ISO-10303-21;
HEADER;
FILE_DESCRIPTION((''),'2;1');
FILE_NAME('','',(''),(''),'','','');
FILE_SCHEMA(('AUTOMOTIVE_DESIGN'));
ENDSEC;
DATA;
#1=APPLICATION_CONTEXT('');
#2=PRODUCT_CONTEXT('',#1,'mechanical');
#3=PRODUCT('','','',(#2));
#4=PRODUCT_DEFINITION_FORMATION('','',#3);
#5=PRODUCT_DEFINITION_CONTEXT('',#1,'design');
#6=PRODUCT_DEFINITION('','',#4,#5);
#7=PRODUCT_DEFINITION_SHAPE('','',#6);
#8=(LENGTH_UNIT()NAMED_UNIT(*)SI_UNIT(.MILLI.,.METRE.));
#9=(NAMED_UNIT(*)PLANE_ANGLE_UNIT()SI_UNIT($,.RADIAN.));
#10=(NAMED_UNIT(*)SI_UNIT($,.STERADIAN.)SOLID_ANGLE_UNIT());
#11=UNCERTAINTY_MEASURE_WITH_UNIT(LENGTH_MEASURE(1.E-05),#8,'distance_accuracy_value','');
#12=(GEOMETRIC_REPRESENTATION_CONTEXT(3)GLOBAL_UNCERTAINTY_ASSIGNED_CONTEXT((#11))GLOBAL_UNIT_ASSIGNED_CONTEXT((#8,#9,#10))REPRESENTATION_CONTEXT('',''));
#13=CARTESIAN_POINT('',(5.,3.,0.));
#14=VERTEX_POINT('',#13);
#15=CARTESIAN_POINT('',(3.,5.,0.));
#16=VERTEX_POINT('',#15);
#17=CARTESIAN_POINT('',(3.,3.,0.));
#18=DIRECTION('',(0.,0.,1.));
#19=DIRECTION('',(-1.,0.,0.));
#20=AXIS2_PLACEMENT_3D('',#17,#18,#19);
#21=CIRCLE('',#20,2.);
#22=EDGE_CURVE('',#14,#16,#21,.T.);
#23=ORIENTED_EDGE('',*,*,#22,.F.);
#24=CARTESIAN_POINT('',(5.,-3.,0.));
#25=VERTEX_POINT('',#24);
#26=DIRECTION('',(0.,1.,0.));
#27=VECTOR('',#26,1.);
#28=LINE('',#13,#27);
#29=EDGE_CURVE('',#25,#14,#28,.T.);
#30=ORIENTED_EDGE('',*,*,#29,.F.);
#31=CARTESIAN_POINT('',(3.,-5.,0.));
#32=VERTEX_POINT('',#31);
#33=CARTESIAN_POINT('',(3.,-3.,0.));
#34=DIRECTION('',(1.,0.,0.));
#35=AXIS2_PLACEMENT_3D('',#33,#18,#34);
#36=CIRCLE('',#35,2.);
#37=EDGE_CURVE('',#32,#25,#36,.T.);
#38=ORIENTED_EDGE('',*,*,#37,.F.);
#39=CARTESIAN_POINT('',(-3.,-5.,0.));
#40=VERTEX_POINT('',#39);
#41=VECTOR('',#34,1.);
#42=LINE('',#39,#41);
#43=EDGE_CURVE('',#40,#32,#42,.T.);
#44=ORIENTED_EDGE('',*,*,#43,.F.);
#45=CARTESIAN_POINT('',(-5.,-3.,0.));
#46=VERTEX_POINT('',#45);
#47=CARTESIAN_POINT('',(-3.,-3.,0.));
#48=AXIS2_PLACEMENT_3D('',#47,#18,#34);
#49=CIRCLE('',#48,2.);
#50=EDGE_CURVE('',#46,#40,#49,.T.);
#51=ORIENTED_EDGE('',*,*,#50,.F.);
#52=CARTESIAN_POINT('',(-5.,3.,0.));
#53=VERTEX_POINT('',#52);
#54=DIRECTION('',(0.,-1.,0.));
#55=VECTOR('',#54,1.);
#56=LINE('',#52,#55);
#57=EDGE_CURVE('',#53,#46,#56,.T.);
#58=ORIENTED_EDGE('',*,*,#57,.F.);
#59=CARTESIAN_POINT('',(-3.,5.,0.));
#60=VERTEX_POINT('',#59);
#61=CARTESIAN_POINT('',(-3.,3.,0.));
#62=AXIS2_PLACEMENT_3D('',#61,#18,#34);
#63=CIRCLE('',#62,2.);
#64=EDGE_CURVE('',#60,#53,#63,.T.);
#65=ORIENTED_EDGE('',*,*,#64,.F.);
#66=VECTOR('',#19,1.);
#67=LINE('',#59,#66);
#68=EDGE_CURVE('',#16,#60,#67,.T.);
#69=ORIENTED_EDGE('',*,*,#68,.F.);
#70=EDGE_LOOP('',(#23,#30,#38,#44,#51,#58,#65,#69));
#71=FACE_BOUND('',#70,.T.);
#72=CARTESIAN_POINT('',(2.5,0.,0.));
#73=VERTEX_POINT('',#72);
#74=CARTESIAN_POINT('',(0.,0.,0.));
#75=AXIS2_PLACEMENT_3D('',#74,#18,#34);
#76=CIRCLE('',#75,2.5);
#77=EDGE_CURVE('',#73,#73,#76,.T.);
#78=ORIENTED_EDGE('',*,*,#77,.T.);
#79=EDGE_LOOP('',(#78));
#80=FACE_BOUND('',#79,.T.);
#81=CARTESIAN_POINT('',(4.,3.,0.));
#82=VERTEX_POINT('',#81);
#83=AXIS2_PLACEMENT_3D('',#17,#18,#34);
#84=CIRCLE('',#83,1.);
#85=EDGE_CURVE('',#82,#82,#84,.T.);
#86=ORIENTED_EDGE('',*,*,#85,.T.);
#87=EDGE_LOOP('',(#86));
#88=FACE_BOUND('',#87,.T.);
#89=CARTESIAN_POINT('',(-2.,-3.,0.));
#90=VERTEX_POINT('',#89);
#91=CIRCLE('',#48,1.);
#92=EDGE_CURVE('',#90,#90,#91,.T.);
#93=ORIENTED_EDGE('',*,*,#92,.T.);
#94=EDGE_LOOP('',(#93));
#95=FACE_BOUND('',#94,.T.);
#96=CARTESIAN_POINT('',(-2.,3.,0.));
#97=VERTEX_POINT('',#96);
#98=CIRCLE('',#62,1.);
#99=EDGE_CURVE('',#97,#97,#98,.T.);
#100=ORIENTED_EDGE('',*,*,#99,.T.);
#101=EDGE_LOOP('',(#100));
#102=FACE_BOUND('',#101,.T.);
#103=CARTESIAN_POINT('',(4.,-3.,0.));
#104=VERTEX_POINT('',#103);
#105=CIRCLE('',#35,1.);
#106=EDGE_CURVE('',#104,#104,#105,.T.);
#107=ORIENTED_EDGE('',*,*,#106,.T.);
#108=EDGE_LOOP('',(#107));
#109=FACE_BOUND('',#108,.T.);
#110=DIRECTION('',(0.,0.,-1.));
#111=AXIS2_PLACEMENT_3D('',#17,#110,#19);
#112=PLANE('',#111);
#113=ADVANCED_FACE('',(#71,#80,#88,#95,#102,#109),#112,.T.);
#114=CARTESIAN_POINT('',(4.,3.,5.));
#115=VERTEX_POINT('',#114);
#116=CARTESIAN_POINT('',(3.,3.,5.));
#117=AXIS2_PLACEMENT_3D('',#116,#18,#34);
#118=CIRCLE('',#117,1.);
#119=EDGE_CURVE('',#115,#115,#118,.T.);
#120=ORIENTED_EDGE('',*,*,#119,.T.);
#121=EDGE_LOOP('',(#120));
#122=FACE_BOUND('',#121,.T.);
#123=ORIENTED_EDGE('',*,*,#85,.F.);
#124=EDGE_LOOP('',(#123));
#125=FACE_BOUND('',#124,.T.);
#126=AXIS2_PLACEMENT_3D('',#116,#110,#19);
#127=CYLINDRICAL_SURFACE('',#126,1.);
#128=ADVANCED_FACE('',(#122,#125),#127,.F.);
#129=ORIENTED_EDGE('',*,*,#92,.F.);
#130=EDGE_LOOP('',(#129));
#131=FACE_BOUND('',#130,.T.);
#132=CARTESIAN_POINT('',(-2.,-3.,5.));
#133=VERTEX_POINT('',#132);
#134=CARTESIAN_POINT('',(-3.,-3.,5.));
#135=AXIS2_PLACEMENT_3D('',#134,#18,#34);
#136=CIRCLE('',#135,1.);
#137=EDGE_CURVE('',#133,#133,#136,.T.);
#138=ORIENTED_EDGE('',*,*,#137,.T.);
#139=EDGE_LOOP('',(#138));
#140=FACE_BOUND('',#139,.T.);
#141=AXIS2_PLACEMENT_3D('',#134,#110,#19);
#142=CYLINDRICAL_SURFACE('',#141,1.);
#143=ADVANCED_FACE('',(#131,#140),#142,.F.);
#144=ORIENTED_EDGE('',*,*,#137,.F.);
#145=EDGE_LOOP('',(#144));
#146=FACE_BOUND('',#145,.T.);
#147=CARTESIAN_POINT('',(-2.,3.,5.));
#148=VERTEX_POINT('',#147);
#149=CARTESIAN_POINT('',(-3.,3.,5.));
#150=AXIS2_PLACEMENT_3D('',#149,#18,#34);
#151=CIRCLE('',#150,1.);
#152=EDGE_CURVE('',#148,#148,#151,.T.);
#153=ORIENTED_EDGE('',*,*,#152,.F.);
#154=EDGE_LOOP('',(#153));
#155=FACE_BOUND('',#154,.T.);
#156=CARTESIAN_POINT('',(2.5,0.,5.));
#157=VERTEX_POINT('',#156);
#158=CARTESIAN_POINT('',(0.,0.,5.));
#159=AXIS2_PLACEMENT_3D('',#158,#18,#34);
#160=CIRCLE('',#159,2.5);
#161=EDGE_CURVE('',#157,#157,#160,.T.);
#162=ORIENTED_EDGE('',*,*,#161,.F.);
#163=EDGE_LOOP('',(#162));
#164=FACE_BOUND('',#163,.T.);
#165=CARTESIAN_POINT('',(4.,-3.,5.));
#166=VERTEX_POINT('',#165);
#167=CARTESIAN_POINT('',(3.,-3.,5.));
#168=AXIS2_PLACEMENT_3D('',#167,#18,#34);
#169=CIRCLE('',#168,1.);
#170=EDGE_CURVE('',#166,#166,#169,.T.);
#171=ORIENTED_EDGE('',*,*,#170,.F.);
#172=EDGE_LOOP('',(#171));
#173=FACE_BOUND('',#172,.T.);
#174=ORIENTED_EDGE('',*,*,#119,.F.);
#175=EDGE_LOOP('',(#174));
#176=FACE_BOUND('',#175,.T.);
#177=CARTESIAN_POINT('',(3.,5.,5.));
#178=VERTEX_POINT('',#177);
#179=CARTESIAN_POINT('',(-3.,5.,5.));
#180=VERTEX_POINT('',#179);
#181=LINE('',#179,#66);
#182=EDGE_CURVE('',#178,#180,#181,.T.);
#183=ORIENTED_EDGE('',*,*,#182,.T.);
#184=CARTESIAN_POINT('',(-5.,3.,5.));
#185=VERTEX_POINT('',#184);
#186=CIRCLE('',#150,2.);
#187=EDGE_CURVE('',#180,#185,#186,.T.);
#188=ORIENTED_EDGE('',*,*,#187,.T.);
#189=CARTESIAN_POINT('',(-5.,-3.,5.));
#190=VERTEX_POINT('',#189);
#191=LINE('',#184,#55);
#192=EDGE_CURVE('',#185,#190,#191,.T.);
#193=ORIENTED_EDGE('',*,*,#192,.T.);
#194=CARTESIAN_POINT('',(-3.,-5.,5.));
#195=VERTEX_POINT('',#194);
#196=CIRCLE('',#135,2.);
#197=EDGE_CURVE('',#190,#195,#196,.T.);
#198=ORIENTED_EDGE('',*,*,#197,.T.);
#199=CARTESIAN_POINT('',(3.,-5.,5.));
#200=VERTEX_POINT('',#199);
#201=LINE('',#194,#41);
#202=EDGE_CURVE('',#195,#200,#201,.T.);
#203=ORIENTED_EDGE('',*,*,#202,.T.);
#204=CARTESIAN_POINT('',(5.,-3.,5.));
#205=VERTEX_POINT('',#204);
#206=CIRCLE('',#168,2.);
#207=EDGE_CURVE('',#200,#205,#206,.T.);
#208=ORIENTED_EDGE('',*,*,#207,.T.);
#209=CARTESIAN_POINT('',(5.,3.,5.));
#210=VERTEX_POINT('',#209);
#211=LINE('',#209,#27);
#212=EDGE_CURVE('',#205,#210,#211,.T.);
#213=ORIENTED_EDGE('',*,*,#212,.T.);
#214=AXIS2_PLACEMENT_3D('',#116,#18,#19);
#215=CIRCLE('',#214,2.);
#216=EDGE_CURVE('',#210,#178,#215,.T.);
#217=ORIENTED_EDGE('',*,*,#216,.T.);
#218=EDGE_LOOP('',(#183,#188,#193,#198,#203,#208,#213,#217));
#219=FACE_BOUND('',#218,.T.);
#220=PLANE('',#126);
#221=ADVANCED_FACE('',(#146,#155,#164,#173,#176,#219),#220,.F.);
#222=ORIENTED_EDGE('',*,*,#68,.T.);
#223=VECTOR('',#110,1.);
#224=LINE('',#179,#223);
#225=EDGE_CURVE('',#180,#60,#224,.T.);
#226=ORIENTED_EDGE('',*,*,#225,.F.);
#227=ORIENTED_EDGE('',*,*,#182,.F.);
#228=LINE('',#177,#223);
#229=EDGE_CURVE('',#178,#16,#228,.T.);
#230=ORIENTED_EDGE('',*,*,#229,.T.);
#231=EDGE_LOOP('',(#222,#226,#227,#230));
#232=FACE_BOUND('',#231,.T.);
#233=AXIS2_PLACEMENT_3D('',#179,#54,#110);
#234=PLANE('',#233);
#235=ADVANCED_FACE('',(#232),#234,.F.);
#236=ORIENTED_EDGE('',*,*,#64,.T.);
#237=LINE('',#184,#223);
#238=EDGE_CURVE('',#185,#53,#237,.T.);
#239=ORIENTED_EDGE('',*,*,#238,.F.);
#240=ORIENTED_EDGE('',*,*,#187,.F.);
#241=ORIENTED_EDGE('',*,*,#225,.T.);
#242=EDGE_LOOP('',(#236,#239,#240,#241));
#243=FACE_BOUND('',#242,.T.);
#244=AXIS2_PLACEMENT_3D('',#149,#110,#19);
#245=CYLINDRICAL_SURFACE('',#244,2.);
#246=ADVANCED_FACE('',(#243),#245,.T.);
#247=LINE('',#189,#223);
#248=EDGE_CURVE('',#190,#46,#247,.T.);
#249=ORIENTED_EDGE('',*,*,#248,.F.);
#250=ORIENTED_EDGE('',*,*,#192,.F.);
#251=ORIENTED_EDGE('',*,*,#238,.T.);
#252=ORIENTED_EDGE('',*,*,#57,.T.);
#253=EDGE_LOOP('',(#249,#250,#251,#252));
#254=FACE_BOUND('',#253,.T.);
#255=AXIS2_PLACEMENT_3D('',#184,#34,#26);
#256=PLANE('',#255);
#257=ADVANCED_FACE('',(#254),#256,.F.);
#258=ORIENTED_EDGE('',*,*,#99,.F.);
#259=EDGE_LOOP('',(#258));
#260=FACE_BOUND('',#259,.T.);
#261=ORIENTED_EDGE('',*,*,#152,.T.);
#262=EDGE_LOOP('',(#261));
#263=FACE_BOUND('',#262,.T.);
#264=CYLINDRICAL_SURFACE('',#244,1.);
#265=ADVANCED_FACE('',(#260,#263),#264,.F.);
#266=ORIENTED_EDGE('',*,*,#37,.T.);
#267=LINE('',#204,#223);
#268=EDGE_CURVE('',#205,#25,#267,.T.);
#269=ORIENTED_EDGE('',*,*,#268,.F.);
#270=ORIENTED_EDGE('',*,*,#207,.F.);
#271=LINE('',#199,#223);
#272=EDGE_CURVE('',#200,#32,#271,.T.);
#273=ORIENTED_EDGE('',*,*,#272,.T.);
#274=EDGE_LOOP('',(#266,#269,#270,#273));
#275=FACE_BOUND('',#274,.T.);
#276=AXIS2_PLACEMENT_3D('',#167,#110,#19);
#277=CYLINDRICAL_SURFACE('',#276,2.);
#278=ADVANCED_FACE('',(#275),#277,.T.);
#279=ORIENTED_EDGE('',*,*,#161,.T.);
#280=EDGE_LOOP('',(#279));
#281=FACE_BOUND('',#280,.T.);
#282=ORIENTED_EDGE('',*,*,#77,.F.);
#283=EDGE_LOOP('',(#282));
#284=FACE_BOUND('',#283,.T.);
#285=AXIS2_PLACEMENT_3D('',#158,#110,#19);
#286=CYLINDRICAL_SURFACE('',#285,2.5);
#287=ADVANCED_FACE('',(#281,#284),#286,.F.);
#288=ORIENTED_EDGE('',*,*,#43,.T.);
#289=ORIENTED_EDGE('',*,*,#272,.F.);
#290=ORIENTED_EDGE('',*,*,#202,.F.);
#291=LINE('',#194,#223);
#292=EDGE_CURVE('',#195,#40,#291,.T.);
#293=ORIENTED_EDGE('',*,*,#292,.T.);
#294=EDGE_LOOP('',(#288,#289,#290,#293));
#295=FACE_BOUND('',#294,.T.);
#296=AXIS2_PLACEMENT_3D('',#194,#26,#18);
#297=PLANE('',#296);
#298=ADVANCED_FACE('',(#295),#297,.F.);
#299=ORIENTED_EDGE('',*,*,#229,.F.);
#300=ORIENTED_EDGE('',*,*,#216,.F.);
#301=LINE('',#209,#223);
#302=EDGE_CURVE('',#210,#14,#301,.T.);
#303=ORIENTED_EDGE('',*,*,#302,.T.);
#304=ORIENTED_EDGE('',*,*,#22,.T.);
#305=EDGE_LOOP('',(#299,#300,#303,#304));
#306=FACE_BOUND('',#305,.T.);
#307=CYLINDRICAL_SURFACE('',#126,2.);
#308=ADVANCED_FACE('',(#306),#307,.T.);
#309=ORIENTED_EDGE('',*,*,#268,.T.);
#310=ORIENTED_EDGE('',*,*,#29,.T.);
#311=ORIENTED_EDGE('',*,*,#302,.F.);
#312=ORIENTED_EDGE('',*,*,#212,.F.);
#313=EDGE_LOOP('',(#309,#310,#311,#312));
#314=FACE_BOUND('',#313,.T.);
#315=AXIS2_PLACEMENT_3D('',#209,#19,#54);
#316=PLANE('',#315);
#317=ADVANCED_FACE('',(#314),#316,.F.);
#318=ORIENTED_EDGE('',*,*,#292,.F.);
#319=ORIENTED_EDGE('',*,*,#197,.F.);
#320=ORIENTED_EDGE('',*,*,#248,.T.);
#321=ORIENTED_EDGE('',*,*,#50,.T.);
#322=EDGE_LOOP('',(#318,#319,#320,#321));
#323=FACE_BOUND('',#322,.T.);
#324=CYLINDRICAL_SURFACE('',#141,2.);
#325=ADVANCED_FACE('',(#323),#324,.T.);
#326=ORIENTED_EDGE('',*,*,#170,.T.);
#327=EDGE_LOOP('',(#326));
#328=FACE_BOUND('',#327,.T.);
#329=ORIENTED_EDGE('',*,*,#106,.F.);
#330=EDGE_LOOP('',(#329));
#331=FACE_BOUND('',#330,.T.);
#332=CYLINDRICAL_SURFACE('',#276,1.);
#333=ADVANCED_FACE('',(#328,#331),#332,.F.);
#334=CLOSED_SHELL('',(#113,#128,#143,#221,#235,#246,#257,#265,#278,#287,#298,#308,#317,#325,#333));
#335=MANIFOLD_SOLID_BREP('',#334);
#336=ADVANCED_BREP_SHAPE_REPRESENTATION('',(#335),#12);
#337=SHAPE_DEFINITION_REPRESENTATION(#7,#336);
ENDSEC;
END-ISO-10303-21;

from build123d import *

# Parameters (mm, degrees)
ESQUISSE1_R        = 1
ESQUISSE1_R_2      = 2.5
BOSS_EXTRU_1_DEPTH = 5


with BuildPart() as part:
    # Esquisse1 → Boss.-Extru.1 (new body)
    with BuildSketch(Plane.XY):
        with BuildLine():
            Line((-3, 5), (3, 5))
            ThreePointArc((3, 5), (4.414213562, 4.414213562), (5, 3))
            Line((5, 3), (5, -3))
            ThreePointArc((5, -3), (4.414213562, -4.414213562), (3, -5))
            Line((3, -5), (-3, -5))
            ThreePointArc((-3, -5), (-4.414213562, -4.414213562), (-5, -3))
            Line((-5, -3), (-5, 3))
            ThreePointArc((-5, 3), (-4.414213562, 4.414213562), (-3, 5))
        make_face()
        with Locations((-3, 3)):
            Circle(ESQUISSE1_R, mode=Mode.SUBTRACT)
        with Locations((3, 3)):
            Circle(ESQUISSE1_R, mode=Mode.SUBTRACT)
        with Locations((3, -3)):
            Circle(ESQUISSE1_R, mode=Mode.SUBTRACT)
        with Locations((-3, -3)):
            Circle(ESQUISSE1_R, mode=Mode.SUBTRACT)
        Circle(ESQUISSE1_R_2, mode=Mode.SUBTRACT)
    extrude(amount=BOSS_EXTRU_1_DEPTH)


solid = part.part
